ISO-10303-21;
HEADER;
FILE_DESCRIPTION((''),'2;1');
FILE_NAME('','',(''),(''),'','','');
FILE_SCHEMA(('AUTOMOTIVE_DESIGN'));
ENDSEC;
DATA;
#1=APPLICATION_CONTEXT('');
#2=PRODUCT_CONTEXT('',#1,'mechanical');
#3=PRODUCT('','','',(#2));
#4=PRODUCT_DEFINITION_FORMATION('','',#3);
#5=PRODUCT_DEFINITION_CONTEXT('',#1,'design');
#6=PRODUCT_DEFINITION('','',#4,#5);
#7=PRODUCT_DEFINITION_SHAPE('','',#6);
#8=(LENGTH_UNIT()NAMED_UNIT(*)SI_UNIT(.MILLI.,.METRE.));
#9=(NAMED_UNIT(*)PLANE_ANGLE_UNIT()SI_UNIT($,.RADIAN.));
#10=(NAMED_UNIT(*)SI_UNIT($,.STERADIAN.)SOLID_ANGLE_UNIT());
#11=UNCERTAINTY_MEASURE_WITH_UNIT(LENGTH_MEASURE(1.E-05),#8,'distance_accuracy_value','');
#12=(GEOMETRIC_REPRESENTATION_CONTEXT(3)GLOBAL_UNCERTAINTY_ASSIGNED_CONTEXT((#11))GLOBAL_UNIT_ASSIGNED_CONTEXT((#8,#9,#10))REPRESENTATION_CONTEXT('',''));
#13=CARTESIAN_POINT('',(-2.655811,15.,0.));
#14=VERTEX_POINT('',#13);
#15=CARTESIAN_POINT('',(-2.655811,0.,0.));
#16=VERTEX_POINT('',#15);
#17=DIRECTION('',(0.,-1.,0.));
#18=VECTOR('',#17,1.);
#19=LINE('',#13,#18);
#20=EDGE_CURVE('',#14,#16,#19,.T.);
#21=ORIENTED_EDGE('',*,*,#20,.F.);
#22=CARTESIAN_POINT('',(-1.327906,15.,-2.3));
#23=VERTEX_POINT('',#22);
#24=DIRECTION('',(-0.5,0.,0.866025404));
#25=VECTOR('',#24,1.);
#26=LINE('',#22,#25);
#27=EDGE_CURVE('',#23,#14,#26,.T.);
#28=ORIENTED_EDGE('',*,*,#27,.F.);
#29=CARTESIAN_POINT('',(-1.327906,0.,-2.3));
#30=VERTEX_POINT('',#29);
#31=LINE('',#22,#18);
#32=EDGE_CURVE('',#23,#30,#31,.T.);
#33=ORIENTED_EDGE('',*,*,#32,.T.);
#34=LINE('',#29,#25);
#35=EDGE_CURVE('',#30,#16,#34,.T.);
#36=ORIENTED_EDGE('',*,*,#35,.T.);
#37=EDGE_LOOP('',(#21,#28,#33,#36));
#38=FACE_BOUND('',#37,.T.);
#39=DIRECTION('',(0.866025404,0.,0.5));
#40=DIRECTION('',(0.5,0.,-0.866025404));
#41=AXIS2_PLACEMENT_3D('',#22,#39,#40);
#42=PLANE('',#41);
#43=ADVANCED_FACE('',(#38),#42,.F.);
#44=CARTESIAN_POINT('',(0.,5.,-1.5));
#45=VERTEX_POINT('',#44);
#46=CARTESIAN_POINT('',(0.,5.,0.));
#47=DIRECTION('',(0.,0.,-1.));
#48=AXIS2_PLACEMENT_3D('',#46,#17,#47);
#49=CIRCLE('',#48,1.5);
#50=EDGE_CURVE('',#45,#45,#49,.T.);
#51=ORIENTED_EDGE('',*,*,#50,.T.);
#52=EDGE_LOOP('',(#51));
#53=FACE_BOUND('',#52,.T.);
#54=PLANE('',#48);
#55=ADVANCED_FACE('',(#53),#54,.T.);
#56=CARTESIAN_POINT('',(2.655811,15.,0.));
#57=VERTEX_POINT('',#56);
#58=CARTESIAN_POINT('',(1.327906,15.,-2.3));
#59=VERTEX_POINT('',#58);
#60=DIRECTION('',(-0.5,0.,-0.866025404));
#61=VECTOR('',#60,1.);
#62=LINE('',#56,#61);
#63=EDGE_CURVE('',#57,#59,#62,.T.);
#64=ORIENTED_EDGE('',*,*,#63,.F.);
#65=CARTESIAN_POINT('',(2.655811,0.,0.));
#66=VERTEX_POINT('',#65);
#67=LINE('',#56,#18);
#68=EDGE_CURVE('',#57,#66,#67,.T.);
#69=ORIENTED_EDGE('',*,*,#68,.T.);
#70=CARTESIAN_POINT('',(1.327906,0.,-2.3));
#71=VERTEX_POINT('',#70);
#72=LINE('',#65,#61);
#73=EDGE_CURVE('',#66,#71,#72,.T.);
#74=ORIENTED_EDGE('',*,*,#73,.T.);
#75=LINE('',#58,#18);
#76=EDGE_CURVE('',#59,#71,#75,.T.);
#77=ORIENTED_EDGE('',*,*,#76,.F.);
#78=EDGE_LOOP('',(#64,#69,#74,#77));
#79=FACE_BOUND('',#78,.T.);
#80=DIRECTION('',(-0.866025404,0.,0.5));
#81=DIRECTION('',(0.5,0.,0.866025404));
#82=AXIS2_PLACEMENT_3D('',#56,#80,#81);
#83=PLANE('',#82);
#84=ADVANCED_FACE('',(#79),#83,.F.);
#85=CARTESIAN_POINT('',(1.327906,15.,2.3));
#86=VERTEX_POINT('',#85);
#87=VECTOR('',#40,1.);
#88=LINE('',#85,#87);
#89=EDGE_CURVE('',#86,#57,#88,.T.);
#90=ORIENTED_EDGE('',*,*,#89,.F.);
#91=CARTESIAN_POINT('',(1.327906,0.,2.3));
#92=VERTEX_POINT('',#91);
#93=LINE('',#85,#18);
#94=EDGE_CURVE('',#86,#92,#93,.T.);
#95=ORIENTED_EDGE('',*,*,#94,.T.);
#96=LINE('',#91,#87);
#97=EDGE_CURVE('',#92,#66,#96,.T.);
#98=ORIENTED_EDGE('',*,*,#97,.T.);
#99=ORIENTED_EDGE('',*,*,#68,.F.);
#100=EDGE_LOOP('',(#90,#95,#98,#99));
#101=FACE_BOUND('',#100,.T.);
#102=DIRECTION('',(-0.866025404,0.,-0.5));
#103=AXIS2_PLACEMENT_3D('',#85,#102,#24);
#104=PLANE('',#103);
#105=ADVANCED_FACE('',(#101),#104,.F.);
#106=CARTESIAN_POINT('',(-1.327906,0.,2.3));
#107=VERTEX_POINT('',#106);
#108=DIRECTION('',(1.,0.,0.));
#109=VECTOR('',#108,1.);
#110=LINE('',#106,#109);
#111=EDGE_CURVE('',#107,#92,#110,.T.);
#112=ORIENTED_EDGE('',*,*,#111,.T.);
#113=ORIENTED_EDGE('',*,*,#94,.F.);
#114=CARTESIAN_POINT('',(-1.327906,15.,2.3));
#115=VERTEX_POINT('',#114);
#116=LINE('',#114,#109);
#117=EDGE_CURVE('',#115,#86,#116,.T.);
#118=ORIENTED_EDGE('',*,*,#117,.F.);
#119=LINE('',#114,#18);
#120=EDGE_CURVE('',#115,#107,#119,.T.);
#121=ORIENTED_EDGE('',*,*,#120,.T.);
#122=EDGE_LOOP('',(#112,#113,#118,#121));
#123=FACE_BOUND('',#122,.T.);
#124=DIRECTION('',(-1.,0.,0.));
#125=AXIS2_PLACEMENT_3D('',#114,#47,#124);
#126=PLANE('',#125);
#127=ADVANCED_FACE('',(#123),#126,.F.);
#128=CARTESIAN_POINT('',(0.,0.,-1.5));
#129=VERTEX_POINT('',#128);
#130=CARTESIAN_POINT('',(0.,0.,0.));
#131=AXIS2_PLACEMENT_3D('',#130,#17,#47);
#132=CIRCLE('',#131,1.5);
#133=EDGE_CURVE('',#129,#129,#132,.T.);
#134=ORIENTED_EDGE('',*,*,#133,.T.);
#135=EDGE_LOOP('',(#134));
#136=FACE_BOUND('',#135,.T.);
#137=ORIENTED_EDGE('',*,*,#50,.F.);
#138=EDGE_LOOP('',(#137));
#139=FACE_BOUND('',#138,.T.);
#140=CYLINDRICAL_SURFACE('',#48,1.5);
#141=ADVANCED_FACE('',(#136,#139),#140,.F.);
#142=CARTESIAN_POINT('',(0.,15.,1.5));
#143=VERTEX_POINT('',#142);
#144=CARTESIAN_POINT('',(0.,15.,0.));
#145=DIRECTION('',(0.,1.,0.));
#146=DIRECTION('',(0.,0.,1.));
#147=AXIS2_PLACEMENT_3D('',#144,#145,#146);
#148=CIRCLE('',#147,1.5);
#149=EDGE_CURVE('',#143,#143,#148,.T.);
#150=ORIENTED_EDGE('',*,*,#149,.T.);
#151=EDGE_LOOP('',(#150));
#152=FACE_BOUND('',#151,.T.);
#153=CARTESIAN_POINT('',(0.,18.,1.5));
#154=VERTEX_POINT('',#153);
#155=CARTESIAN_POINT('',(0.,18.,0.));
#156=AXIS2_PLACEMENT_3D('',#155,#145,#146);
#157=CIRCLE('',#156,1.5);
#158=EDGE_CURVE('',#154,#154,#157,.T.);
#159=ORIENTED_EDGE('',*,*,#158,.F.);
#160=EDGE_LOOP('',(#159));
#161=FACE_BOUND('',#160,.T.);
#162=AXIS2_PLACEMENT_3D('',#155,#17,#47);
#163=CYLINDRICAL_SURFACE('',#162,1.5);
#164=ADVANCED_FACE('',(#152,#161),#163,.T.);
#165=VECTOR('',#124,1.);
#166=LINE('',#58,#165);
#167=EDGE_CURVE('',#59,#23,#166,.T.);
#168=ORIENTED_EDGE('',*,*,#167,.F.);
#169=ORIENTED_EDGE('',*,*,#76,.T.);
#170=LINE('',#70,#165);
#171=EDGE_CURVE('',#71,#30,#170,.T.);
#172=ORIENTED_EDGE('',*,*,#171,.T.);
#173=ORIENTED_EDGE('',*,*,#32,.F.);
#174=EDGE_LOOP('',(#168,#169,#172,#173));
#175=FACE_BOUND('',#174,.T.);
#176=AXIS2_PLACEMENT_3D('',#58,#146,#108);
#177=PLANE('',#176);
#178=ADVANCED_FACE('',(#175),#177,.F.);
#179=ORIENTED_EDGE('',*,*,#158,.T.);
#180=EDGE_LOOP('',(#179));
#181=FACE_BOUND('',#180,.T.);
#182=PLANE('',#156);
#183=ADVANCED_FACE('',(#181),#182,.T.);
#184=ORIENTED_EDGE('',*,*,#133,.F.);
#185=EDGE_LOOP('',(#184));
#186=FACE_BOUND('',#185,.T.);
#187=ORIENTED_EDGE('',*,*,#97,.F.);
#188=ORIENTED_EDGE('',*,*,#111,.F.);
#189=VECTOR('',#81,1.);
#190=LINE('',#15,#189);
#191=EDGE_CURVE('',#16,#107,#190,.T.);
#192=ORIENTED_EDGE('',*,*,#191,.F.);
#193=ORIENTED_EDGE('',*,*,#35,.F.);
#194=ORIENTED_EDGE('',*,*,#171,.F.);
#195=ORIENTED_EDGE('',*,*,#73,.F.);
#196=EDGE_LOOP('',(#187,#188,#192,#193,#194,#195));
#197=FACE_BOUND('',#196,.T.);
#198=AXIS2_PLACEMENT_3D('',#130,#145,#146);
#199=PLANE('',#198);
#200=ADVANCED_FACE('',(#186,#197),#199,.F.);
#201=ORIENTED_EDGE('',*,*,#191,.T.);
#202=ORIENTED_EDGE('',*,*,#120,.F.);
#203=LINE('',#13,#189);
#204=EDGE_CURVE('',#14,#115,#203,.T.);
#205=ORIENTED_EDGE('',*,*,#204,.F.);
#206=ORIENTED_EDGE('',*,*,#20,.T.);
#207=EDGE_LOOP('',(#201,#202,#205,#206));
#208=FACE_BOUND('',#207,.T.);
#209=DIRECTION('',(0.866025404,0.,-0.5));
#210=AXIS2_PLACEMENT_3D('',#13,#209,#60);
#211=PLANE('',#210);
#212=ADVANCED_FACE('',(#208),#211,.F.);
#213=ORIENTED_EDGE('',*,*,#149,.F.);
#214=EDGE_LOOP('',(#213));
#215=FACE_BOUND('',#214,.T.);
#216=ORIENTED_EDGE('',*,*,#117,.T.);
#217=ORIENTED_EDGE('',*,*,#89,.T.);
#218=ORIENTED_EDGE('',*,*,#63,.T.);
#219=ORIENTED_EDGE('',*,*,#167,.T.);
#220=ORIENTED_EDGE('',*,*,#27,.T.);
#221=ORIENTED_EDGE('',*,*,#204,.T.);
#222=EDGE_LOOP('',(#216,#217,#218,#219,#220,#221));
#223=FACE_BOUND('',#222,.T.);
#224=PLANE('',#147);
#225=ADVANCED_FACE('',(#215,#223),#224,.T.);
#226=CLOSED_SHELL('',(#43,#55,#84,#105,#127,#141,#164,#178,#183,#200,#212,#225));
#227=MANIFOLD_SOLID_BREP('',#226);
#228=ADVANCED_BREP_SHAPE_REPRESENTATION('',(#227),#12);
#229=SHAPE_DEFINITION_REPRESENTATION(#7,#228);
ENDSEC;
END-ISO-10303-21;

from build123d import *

# Parameters (mm, degrees)
EXTRUDE_1_DEPTH     = 15
SKETCH_2_R          = 1.5
EXTRUDE_2_DEPTH     = 3
SKETCH_3_R          = 1.5
CUT_EXTRUDE_1_DEPTH = 5


with BuildPart() as part:
    # 草图1 → 凸台-拉伸1 (new body)
    with BuildSketch(Plane(origin=(0, 0, 0), x_dir=(1, 0, 0), z_dir=(0, 1, 0))):
        Polygon((2.655811238, 0), (1.327905619, 2.3), (-1.327905619, 2.3), (-2.655811238, 0), (-1.327905619, -2.3), (1.327905619, -2.3), align=None)
    extrude(amount=EXTRUDE_1_DEPTH)

    # 草图2 → 凸台-拉伸2 (add)
    with BuildSketch(Plane(origin=(0, 15, 0), x_dir=(1, 0, 0), z_dir=(0, 1, 0))):
        with Locations(Location((0, 0, 0), (0, 0, 270))):
            Circle(SKETCH_2_R)
    extrude(amount=EXTRUDE_2_DEPTH)

    # 草图3 → 切除-拉伸1 (cut)
    with BuildSketch(Plane.XZ):
        with Locations(Location((0, 0, 0), (0, 0, 90))):
            Circle(SKETCH_3_R)
    extrude(amount=-CUT_EXTRUDE_1_DEPTH, mode=Mode.SUBTRACT)


solid = part.part
